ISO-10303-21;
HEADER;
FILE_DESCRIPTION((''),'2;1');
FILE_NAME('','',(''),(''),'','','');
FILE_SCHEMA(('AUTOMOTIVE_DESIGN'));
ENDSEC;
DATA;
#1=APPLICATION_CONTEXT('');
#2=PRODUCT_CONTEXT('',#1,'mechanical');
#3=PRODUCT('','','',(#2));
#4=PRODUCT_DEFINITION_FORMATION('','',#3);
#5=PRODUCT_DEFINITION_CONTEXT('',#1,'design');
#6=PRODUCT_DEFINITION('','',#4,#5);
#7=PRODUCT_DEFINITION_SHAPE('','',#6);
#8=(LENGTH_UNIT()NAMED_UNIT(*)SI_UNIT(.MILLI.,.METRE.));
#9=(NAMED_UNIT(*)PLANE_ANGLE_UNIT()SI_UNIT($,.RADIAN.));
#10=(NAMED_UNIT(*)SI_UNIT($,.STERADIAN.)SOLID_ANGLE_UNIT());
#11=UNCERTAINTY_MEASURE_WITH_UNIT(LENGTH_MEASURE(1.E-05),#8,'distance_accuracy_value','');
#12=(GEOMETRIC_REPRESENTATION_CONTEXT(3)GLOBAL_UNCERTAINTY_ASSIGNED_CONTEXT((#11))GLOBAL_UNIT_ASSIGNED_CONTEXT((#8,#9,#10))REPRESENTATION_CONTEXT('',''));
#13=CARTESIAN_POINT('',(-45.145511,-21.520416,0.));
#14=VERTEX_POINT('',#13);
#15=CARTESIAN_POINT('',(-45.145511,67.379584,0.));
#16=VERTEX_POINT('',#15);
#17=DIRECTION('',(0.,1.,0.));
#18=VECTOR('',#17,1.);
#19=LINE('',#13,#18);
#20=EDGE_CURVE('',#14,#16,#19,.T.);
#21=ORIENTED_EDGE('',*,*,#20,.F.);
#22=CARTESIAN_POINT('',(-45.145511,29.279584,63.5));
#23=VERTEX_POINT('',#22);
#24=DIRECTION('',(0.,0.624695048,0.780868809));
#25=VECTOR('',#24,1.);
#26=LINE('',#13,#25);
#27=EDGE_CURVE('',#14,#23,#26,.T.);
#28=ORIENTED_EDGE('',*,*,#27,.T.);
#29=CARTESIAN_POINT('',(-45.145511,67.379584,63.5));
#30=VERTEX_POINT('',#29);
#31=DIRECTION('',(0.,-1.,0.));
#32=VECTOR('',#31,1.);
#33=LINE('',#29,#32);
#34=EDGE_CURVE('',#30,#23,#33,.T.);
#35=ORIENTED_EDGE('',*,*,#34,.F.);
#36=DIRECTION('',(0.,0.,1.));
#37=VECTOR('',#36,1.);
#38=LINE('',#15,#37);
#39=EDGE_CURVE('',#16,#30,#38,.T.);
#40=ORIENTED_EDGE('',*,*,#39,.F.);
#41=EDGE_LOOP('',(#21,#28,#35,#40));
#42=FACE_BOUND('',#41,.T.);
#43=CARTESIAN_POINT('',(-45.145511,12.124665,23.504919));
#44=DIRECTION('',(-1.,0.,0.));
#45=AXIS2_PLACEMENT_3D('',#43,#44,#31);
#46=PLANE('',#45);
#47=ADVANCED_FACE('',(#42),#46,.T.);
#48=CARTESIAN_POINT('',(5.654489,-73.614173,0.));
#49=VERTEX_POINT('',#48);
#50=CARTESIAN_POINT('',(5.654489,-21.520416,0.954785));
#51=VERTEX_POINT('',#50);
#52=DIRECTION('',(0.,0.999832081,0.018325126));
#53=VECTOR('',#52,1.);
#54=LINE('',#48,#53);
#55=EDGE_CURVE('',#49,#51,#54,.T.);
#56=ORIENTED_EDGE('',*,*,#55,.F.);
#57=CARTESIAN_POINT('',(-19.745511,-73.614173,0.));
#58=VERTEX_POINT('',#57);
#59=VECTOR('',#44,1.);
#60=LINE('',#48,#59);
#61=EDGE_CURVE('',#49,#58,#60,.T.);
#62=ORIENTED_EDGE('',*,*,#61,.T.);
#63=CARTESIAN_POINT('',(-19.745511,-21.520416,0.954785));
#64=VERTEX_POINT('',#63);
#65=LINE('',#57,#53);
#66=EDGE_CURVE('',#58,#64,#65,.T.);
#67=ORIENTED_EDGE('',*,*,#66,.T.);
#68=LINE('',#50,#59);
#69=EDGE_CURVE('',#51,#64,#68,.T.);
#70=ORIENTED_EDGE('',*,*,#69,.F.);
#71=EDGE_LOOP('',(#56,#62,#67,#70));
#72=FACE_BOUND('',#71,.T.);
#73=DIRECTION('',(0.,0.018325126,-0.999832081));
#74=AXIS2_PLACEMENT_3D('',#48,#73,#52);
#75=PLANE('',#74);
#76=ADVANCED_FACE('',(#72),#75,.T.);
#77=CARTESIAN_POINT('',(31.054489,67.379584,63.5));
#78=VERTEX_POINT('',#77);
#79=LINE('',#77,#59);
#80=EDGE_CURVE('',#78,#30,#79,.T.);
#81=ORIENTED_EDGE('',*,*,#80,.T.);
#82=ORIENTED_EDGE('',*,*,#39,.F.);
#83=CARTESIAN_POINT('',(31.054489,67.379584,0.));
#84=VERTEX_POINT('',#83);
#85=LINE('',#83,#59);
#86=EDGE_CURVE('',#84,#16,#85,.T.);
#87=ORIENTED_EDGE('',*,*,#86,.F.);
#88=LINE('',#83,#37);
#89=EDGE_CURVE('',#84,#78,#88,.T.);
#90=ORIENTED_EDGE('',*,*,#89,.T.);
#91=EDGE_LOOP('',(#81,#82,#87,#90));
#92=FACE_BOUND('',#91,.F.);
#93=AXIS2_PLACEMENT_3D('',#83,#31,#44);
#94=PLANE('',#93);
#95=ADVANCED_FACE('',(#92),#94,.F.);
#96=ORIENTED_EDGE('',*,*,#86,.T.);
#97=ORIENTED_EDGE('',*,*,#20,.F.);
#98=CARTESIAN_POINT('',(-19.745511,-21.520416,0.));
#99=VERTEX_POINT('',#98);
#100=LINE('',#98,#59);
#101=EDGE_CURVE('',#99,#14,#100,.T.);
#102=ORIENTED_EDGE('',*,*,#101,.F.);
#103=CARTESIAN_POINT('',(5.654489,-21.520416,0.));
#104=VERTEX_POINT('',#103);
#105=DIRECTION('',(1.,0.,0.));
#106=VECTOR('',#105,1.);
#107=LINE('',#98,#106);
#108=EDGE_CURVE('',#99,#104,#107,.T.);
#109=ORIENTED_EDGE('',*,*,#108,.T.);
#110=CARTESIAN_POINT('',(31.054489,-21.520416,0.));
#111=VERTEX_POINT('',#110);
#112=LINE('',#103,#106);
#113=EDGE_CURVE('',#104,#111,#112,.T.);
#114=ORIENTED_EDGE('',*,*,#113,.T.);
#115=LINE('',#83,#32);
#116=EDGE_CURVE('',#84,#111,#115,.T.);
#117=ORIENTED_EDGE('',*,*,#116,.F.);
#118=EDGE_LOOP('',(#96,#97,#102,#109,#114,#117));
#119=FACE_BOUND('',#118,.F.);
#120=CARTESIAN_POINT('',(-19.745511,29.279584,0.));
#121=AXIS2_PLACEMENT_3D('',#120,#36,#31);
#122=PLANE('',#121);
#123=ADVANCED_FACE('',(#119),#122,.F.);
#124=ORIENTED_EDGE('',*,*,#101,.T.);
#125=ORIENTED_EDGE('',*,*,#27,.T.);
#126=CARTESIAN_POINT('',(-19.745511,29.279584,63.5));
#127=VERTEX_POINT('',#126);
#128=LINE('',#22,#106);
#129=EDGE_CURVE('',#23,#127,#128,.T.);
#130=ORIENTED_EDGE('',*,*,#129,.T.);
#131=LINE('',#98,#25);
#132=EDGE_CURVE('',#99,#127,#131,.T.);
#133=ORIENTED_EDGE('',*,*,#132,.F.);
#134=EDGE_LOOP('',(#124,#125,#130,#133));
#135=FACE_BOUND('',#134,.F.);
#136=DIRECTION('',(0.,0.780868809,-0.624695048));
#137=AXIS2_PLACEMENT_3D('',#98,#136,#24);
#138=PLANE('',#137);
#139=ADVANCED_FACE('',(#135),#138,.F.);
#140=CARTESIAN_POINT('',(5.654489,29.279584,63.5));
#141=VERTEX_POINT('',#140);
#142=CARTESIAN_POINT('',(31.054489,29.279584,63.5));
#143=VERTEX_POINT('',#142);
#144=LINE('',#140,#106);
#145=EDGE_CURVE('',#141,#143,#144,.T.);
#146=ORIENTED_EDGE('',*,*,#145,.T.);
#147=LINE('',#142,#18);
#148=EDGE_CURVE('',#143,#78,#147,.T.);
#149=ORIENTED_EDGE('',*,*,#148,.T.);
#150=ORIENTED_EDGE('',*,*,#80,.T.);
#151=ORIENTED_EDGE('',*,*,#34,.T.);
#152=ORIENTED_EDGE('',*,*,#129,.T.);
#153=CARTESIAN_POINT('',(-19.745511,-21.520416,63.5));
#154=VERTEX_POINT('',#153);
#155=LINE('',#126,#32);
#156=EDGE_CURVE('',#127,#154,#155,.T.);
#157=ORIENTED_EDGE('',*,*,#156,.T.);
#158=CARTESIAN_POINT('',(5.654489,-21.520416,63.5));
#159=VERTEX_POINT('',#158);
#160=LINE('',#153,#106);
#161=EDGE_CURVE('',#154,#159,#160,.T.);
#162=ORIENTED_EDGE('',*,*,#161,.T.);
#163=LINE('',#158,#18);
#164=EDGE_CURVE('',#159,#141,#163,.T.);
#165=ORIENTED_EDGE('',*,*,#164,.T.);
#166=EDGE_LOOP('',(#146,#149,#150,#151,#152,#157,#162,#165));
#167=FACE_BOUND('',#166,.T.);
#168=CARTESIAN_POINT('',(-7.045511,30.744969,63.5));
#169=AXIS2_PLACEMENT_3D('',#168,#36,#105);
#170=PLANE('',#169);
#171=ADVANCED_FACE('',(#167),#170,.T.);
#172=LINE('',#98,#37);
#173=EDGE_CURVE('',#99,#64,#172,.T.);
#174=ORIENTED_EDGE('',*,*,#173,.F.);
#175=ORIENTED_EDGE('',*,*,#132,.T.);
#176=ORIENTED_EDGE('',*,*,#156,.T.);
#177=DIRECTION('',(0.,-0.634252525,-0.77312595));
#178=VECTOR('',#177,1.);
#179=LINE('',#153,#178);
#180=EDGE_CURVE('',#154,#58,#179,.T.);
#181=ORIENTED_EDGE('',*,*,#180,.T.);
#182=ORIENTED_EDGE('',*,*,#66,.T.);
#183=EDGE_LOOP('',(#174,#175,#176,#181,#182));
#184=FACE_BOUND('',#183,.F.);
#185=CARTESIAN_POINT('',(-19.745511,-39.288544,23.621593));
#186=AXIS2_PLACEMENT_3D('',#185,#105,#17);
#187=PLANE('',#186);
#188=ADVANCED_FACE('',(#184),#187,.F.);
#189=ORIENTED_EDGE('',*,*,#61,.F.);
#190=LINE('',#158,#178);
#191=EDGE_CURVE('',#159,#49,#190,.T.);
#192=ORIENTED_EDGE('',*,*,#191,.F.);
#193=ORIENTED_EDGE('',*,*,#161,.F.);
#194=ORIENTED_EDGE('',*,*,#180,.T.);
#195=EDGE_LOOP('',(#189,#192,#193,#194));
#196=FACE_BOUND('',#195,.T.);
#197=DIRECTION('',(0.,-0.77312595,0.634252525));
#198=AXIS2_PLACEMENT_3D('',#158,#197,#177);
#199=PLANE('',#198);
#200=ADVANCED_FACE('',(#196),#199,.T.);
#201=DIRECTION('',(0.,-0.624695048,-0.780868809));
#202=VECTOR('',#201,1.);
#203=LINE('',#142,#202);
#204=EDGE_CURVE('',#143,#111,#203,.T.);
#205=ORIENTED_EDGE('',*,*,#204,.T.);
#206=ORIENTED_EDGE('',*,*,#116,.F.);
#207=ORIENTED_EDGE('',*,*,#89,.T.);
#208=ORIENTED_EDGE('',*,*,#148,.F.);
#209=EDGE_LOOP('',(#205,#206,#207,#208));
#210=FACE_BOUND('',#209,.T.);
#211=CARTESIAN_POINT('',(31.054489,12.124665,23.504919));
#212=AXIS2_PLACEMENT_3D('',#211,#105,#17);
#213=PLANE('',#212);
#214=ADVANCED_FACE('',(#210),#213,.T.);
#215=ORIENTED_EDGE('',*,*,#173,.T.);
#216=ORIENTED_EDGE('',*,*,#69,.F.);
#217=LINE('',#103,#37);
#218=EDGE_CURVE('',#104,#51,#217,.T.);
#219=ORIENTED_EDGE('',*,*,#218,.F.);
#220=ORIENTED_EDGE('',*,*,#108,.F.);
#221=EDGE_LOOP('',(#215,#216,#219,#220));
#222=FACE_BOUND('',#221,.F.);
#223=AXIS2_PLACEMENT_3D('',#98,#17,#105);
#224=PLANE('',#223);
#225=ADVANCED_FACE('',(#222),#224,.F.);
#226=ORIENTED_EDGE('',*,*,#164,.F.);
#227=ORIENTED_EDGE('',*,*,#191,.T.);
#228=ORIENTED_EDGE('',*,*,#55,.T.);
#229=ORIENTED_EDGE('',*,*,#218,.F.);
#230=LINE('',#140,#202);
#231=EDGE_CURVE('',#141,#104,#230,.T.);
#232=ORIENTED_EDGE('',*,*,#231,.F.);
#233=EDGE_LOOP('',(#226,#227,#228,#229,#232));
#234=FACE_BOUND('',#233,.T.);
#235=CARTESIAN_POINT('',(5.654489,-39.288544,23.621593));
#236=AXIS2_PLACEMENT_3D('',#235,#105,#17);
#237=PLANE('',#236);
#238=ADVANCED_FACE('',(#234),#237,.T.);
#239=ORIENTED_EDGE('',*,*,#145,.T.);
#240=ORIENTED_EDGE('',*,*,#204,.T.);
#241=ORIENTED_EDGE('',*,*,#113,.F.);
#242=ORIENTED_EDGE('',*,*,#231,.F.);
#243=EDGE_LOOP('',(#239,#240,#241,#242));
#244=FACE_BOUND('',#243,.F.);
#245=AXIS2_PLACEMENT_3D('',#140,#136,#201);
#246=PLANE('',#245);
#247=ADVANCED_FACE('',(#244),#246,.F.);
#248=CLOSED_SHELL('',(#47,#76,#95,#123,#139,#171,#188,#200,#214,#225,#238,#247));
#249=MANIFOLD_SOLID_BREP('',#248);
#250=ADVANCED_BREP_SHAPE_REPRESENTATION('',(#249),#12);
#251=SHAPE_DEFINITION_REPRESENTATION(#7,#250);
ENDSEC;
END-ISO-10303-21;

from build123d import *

# Parameters (mm, degrees)
F1_DEPTH = 63.5
F3_DEPTH = 25.4
F5_DEPTH = 25.4
F7_DEPTH = 25.4


with BuildPart() as f1:
    # F0 (on Top) → F1 (new body)
    with BuildSketch(Plane.XY):
        Polygon((31.054489, 67.379584), (-45.145511, 67.379584), (-45.145511, 29.279584), (-19.745511, 29.279584), (-19.745511, -21.520416), (5.654489, -21.520416), (5.654489, 29.279584), (31.054489, 29.279584), align=None)
    extrude(amount=F1_DEPTH)

    # F2 (on face) → F3 (join)
    with BuildSketch(Plane.YZ.offset(5.654489)):
        Polygon((29.279584, 0), (29.279584, 63.5), (-21.520416, 0), align=None)
    extrude(amount=F3_DEPTH)

    # F4 (on face) → F5 (join)
    with BuildSketch(Plane.YZ.offset(5.654489)):
        Polygon((-21.520416, 0.954785), (-21.520416, 63.5), (-73.614173, 0), align=None)
    extrude(amount=-F5_DEPTH)

    # F6 (on face) → F7 (join)
    with BuildSketch(Plane(origin=(-19.745511, 0, 0), x_dir=(0, -1, 0), z_dir=(-1, 0, 0))):
        Polygon((21.520416, 0), (-29.279584, 63.5), (-29.279584, 0), align=None)
    extrude(amount=F7_DEPTH)


solid = f1.part
